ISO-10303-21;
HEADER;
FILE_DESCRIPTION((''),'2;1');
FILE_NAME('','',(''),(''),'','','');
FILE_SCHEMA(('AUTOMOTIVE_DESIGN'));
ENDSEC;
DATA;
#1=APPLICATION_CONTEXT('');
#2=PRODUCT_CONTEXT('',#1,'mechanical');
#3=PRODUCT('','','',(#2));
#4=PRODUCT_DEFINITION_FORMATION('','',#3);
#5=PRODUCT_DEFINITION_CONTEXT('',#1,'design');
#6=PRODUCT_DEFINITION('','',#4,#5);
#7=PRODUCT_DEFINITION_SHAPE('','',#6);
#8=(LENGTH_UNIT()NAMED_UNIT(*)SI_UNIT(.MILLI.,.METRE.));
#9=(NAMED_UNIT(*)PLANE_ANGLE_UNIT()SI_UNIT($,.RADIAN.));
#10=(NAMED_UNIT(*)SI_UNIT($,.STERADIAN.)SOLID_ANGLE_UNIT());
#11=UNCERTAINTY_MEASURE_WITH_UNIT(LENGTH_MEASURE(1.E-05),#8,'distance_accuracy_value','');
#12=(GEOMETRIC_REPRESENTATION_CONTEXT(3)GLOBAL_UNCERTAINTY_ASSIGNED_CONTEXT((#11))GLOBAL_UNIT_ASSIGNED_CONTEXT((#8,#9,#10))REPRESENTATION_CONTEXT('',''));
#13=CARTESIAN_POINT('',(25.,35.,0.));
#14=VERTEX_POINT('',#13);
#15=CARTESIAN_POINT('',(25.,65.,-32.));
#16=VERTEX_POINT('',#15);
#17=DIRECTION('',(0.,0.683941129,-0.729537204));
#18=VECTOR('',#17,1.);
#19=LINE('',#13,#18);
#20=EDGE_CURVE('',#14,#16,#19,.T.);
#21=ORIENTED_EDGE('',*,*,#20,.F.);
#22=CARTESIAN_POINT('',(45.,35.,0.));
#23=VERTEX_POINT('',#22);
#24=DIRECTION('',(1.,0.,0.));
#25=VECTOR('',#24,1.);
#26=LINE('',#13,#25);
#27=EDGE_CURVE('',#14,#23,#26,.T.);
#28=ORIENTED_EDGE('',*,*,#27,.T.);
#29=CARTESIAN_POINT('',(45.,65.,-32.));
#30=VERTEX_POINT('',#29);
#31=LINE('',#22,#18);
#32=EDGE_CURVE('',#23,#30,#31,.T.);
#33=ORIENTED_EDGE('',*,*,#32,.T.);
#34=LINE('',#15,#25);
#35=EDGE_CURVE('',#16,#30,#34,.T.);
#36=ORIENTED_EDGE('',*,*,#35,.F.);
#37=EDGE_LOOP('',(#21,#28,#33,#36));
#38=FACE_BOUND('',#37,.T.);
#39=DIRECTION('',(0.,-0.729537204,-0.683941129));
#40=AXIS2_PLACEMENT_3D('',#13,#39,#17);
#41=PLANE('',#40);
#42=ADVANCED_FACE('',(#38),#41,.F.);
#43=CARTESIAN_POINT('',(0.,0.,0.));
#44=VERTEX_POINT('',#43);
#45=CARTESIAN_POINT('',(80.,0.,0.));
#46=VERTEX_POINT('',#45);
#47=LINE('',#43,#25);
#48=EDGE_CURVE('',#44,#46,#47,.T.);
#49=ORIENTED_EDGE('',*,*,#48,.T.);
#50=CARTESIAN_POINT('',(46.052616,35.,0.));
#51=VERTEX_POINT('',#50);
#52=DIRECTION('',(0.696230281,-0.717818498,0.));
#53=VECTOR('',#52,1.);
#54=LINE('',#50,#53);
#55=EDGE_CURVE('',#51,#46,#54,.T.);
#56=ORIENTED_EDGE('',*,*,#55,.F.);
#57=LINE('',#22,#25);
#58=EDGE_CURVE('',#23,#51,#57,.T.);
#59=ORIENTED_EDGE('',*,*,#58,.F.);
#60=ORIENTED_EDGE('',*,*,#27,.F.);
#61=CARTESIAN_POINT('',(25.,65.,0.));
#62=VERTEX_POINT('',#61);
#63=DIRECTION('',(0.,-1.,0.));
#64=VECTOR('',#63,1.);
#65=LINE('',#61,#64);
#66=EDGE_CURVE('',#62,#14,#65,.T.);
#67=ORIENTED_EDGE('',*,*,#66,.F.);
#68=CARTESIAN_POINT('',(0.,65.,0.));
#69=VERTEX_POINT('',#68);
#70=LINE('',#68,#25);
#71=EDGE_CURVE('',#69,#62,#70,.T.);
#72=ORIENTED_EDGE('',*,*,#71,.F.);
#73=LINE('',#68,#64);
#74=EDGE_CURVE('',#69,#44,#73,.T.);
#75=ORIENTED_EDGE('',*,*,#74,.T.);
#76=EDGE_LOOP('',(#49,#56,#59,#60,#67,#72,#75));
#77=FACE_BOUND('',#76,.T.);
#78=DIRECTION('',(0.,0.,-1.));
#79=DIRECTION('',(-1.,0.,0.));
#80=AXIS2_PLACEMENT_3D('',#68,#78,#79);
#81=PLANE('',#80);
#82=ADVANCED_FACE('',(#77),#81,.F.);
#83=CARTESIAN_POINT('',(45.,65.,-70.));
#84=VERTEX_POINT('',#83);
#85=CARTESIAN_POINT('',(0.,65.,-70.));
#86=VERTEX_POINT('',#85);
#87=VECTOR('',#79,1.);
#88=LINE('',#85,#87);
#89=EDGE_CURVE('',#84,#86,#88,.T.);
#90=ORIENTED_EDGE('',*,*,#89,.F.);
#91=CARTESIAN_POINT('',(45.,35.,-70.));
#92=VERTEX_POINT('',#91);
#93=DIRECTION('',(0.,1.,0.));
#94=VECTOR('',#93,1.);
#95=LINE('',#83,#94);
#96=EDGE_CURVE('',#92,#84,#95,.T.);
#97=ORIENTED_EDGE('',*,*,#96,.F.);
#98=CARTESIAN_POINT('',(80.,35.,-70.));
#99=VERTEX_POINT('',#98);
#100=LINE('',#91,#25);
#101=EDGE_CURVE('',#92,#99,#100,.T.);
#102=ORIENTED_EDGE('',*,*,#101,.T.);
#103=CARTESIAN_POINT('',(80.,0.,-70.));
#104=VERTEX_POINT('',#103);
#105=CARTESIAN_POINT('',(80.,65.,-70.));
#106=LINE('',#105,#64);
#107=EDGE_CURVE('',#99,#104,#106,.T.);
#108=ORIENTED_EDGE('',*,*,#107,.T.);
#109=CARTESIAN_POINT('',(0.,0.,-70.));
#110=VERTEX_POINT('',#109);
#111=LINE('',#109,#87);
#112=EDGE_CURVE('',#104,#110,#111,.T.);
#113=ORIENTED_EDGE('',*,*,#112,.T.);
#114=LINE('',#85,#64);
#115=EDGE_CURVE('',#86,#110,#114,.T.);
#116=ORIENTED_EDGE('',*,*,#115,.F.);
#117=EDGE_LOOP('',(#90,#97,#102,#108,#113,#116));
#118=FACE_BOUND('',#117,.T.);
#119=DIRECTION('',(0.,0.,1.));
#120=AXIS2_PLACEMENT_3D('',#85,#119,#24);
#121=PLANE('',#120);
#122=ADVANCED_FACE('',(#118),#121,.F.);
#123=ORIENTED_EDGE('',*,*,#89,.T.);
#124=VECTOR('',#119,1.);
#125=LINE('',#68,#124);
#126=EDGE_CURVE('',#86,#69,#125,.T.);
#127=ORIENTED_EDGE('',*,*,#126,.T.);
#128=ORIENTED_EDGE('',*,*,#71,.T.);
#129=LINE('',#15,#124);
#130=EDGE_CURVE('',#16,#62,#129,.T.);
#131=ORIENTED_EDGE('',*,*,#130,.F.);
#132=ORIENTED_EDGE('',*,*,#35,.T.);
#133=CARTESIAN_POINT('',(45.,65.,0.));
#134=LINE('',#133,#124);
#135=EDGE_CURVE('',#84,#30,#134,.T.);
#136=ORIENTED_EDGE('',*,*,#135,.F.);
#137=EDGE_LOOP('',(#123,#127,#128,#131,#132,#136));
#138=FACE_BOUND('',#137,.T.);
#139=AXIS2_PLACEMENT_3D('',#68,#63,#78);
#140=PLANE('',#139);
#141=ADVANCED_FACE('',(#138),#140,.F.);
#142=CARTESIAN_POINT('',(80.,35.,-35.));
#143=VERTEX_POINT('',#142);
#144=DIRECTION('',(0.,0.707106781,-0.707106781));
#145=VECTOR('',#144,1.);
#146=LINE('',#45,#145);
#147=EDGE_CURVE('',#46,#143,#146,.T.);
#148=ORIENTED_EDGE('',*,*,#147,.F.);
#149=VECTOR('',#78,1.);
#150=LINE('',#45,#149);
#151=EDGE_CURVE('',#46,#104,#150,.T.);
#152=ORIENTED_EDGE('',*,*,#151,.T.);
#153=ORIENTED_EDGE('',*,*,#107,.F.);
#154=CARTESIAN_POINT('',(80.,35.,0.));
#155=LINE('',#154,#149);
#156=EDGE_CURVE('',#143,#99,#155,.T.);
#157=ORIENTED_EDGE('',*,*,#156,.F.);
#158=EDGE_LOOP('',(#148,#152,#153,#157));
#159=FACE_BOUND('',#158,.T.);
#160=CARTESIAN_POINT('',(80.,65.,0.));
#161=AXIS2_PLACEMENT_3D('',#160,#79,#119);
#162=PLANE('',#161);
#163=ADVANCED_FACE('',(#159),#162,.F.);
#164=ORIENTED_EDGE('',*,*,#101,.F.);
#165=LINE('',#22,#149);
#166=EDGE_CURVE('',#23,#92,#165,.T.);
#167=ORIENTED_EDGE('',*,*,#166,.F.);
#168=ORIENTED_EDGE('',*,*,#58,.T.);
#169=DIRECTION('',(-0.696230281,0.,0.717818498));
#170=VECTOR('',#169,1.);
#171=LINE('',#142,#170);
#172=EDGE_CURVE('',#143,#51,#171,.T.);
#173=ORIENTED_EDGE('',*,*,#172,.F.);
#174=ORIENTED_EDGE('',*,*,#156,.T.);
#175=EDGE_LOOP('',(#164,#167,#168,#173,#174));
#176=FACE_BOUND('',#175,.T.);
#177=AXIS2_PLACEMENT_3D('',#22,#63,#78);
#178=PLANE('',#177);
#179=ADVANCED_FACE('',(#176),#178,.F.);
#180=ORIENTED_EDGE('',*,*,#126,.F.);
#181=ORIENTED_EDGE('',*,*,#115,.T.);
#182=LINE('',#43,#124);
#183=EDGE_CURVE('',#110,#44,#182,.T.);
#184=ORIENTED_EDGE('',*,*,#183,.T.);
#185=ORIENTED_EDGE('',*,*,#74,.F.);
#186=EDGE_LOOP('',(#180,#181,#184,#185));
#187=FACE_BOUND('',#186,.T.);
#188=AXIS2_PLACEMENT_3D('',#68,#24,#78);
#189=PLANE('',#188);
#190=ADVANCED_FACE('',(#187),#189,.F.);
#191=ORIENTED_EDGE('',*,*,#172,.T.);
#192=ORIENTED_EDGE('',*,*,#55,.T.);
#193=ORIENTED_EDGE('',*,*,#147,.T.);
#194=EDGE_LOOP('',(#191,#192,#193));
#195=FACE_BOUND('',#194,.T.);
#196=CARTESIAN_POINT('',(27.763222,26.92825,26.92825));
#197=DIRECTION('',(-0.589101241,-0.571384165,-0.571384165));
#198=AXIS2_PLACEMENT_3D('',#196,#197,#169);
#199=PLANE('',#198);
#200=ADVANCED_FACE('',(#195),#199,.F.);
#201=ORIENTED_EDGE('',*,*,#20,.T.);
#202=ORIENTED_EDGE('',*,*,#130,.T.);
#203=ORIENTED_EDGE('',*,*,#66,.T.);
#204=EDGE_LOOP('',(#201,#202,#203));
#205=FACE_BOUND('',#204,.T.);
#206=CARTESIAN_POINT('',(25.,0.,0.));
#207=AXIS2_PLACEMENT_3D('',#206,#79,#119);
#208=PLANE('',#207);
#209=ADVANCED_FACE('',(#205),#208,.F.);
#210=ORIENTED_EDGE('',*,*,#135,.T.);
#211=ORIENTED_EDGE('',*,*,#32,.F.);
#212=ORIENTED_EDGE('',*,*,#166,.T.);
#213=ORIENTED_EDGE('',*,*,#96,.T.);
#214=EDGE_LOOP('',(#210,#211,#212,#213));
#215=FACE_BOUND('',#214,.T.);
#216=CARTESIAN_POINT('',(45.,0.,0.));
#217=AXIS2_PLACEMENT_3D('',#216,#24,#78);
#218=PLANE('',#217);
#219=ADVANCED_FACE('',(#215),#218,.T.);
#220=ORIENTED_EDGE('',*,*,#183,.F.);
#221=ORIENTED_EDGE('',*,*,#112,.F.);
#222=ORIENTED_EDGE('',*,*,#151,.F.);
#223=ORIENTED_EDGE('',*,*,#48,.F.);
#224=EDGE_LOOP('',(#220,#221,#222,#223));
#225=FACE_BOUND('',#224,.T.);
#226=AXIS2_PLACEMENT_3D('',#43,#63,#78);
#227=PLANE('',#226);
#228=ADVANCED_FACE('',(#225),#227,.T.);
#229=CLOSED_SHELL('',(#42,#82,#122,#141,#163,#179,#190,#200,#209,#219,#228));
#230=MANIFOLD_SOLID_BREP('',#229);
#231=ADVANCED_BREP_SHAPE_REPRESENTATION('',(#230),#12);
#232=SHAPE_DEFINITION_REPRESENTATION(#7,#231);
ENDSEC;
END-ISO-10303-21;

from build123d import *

# Parameters (mm, degrees)
CROQUIS1_W              = 80
CROQUIS1_H              = 70
SALIENTE_EXTRUIR1_DEPTH = 65
CROQUIS2_W              = 70
CROQUIS2_H              = 30
CORTAR_EXTRUIR1_DEPTH   = 35
CORTAR_EXTRUIR2_DEPTH   = 20
CORTAR_EXTRUIR3_DEPTH   = 20


with BuildPart() as part:
    # Croquis1 → Saliente-Extruir1 (new body)
    with BuildSketch(Plane(origin=(0, 0, 0), x_dir=(1, 0, 0), z_dir=(0, 1, 0))):
        with Locations((40, 35)):
            Rectangle(CROQUIS1_W, CROQUIS1_H)
    extrude(amount=SALIENTE_EXTRUIR1_DEPTH)

    # Croquis2 → Cortar-Extruir1 (cut)
    with BuildSketch(Plane(origin=(80, 0, 0), x_dir=(0, 0, -1), z_dir=(1, 0, 0))):
        with Locations((35, 50)):
            Rectangle(CROQUIS2_W, CROQUIS2_H)
    extrude(amount=-CORTAR_EXTRUIR1_DEPTH, mode=Mode.SUBTRACT)

    # Croquis3 → Cortar-Extruir2 (cut)
    with BuildSketch(Plane(origin=(45, 0, 0), x_dir=(0, 0, -1), z_dir=(1, 0, 0))):
        Polygon((0, 35), (32, 65), (0, 65), align=None)
    extrude(amount=-CORTAR_EXTRUIR2_DEPTH, mode=Mode.SUBTRACT)

    # Croquis6 → Cortar-Extruir3 (cut)
    with BuildSketch(Plane(origin=(27.763221793, 26.928249656, 26.928249656), x_dir=(0.4101501227910038, 0.39781495770089986, -0.8206827256644043), z_dir=(0.5891012412208205, 0.5713841648103704, 0.5713841648103701))):
        Polygon((32.812009823, -55.698422491), (75.459428741, -30.574775071), (32.812009823, -6.939578699), align=None)
    extrude(amount=CORTAR_EXTRUIR3_DEPTH, mode=Mode.SUBTRACT)


solid = part.part
